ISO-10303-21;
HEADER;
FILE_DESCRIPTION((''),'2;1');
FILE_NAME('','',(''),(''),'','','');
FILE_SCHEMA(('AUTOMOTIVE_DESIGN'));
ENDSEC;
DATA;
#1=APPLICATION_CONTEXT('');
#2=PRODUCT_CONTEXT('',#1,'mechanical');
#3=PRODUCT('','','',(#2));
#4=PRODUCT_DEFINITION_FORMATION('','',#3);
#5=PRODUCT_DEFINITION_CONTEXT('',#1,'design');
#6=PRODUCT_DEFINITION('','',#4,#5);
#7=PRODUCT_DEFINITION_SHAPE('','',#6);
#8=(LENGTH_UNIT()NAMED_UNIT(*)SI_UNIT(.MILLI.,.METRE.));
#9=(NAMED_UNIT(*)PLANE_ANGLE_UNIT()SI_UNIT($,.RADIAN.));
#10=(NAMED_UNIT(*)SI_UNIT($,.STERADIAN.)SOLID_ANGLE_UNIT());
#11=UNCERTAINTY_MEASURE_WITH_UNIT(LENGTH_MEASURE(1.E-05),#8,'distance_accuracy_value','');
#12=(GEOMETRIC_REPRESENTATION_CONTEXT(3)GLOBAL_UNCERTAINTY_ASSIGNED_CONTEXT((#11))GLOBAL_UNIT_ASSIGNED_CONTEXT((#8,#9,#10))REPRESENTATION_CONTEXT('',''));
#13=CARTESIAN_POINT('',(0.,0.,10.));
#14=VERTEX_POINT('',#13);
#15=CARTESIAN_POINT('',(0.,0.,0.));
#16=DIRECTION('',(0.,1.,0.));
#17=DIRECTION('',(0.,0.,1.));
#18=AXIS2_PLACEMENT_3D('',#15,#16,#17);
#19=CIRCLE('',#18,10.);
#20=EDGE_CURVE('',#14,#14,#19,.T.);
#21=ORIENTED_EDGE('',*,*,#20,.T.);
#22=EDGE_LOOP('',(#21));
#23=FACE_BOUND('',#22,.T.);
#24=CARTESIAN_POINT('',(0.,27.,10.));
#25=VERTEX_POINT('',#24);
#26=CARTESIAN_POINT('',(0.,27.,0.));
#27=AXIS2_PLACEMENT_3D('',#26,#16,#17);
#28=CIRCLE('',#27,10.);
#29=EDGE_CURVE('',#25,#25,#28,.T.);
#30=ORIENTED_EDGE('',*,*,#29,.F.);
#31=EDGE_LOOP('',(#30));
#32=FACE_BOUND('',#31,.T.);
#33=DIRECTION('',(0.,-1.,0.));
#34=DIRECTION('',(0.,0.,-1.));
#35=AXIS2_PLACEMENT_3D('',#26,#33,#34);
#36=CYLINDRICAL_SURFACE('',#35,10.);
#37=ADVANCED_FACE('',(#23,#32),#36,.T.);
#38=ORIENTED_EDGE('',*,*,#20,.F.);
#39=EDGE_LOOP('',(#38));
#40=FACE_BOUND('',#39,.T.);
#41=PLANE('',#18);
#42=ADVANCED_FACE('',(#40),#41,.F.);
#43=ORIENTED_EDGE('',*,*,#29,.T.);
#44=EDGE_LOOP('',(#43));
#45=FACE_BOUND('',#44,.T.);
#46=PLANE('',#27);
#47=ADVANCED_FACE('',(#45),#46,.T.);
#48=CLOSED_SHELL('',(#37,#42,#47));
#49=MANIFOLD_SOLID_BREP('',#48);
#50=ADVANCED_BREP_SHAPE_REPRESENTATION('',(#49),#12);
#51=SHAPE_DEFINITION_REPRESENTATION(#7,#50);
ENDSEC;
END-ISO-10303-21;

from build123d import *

# Parameters (mm, degrees)
SKETCH_1_R      = 10
EXTRUDE_1_DEPTH = 27


with BuildPart() as part:
    # Эскиз1 → Бобышка-Вытянуть1 (new body)
    with BuildSketch(Plane(origin=(0, 0, 0), x_dir=(1, 0, 0), z_dir=(0, 1, 0))):
        Circle(SKETCH_1_R)
    extrude(amount=EXTRUDE_1_DEPTH)


solid = part.part
